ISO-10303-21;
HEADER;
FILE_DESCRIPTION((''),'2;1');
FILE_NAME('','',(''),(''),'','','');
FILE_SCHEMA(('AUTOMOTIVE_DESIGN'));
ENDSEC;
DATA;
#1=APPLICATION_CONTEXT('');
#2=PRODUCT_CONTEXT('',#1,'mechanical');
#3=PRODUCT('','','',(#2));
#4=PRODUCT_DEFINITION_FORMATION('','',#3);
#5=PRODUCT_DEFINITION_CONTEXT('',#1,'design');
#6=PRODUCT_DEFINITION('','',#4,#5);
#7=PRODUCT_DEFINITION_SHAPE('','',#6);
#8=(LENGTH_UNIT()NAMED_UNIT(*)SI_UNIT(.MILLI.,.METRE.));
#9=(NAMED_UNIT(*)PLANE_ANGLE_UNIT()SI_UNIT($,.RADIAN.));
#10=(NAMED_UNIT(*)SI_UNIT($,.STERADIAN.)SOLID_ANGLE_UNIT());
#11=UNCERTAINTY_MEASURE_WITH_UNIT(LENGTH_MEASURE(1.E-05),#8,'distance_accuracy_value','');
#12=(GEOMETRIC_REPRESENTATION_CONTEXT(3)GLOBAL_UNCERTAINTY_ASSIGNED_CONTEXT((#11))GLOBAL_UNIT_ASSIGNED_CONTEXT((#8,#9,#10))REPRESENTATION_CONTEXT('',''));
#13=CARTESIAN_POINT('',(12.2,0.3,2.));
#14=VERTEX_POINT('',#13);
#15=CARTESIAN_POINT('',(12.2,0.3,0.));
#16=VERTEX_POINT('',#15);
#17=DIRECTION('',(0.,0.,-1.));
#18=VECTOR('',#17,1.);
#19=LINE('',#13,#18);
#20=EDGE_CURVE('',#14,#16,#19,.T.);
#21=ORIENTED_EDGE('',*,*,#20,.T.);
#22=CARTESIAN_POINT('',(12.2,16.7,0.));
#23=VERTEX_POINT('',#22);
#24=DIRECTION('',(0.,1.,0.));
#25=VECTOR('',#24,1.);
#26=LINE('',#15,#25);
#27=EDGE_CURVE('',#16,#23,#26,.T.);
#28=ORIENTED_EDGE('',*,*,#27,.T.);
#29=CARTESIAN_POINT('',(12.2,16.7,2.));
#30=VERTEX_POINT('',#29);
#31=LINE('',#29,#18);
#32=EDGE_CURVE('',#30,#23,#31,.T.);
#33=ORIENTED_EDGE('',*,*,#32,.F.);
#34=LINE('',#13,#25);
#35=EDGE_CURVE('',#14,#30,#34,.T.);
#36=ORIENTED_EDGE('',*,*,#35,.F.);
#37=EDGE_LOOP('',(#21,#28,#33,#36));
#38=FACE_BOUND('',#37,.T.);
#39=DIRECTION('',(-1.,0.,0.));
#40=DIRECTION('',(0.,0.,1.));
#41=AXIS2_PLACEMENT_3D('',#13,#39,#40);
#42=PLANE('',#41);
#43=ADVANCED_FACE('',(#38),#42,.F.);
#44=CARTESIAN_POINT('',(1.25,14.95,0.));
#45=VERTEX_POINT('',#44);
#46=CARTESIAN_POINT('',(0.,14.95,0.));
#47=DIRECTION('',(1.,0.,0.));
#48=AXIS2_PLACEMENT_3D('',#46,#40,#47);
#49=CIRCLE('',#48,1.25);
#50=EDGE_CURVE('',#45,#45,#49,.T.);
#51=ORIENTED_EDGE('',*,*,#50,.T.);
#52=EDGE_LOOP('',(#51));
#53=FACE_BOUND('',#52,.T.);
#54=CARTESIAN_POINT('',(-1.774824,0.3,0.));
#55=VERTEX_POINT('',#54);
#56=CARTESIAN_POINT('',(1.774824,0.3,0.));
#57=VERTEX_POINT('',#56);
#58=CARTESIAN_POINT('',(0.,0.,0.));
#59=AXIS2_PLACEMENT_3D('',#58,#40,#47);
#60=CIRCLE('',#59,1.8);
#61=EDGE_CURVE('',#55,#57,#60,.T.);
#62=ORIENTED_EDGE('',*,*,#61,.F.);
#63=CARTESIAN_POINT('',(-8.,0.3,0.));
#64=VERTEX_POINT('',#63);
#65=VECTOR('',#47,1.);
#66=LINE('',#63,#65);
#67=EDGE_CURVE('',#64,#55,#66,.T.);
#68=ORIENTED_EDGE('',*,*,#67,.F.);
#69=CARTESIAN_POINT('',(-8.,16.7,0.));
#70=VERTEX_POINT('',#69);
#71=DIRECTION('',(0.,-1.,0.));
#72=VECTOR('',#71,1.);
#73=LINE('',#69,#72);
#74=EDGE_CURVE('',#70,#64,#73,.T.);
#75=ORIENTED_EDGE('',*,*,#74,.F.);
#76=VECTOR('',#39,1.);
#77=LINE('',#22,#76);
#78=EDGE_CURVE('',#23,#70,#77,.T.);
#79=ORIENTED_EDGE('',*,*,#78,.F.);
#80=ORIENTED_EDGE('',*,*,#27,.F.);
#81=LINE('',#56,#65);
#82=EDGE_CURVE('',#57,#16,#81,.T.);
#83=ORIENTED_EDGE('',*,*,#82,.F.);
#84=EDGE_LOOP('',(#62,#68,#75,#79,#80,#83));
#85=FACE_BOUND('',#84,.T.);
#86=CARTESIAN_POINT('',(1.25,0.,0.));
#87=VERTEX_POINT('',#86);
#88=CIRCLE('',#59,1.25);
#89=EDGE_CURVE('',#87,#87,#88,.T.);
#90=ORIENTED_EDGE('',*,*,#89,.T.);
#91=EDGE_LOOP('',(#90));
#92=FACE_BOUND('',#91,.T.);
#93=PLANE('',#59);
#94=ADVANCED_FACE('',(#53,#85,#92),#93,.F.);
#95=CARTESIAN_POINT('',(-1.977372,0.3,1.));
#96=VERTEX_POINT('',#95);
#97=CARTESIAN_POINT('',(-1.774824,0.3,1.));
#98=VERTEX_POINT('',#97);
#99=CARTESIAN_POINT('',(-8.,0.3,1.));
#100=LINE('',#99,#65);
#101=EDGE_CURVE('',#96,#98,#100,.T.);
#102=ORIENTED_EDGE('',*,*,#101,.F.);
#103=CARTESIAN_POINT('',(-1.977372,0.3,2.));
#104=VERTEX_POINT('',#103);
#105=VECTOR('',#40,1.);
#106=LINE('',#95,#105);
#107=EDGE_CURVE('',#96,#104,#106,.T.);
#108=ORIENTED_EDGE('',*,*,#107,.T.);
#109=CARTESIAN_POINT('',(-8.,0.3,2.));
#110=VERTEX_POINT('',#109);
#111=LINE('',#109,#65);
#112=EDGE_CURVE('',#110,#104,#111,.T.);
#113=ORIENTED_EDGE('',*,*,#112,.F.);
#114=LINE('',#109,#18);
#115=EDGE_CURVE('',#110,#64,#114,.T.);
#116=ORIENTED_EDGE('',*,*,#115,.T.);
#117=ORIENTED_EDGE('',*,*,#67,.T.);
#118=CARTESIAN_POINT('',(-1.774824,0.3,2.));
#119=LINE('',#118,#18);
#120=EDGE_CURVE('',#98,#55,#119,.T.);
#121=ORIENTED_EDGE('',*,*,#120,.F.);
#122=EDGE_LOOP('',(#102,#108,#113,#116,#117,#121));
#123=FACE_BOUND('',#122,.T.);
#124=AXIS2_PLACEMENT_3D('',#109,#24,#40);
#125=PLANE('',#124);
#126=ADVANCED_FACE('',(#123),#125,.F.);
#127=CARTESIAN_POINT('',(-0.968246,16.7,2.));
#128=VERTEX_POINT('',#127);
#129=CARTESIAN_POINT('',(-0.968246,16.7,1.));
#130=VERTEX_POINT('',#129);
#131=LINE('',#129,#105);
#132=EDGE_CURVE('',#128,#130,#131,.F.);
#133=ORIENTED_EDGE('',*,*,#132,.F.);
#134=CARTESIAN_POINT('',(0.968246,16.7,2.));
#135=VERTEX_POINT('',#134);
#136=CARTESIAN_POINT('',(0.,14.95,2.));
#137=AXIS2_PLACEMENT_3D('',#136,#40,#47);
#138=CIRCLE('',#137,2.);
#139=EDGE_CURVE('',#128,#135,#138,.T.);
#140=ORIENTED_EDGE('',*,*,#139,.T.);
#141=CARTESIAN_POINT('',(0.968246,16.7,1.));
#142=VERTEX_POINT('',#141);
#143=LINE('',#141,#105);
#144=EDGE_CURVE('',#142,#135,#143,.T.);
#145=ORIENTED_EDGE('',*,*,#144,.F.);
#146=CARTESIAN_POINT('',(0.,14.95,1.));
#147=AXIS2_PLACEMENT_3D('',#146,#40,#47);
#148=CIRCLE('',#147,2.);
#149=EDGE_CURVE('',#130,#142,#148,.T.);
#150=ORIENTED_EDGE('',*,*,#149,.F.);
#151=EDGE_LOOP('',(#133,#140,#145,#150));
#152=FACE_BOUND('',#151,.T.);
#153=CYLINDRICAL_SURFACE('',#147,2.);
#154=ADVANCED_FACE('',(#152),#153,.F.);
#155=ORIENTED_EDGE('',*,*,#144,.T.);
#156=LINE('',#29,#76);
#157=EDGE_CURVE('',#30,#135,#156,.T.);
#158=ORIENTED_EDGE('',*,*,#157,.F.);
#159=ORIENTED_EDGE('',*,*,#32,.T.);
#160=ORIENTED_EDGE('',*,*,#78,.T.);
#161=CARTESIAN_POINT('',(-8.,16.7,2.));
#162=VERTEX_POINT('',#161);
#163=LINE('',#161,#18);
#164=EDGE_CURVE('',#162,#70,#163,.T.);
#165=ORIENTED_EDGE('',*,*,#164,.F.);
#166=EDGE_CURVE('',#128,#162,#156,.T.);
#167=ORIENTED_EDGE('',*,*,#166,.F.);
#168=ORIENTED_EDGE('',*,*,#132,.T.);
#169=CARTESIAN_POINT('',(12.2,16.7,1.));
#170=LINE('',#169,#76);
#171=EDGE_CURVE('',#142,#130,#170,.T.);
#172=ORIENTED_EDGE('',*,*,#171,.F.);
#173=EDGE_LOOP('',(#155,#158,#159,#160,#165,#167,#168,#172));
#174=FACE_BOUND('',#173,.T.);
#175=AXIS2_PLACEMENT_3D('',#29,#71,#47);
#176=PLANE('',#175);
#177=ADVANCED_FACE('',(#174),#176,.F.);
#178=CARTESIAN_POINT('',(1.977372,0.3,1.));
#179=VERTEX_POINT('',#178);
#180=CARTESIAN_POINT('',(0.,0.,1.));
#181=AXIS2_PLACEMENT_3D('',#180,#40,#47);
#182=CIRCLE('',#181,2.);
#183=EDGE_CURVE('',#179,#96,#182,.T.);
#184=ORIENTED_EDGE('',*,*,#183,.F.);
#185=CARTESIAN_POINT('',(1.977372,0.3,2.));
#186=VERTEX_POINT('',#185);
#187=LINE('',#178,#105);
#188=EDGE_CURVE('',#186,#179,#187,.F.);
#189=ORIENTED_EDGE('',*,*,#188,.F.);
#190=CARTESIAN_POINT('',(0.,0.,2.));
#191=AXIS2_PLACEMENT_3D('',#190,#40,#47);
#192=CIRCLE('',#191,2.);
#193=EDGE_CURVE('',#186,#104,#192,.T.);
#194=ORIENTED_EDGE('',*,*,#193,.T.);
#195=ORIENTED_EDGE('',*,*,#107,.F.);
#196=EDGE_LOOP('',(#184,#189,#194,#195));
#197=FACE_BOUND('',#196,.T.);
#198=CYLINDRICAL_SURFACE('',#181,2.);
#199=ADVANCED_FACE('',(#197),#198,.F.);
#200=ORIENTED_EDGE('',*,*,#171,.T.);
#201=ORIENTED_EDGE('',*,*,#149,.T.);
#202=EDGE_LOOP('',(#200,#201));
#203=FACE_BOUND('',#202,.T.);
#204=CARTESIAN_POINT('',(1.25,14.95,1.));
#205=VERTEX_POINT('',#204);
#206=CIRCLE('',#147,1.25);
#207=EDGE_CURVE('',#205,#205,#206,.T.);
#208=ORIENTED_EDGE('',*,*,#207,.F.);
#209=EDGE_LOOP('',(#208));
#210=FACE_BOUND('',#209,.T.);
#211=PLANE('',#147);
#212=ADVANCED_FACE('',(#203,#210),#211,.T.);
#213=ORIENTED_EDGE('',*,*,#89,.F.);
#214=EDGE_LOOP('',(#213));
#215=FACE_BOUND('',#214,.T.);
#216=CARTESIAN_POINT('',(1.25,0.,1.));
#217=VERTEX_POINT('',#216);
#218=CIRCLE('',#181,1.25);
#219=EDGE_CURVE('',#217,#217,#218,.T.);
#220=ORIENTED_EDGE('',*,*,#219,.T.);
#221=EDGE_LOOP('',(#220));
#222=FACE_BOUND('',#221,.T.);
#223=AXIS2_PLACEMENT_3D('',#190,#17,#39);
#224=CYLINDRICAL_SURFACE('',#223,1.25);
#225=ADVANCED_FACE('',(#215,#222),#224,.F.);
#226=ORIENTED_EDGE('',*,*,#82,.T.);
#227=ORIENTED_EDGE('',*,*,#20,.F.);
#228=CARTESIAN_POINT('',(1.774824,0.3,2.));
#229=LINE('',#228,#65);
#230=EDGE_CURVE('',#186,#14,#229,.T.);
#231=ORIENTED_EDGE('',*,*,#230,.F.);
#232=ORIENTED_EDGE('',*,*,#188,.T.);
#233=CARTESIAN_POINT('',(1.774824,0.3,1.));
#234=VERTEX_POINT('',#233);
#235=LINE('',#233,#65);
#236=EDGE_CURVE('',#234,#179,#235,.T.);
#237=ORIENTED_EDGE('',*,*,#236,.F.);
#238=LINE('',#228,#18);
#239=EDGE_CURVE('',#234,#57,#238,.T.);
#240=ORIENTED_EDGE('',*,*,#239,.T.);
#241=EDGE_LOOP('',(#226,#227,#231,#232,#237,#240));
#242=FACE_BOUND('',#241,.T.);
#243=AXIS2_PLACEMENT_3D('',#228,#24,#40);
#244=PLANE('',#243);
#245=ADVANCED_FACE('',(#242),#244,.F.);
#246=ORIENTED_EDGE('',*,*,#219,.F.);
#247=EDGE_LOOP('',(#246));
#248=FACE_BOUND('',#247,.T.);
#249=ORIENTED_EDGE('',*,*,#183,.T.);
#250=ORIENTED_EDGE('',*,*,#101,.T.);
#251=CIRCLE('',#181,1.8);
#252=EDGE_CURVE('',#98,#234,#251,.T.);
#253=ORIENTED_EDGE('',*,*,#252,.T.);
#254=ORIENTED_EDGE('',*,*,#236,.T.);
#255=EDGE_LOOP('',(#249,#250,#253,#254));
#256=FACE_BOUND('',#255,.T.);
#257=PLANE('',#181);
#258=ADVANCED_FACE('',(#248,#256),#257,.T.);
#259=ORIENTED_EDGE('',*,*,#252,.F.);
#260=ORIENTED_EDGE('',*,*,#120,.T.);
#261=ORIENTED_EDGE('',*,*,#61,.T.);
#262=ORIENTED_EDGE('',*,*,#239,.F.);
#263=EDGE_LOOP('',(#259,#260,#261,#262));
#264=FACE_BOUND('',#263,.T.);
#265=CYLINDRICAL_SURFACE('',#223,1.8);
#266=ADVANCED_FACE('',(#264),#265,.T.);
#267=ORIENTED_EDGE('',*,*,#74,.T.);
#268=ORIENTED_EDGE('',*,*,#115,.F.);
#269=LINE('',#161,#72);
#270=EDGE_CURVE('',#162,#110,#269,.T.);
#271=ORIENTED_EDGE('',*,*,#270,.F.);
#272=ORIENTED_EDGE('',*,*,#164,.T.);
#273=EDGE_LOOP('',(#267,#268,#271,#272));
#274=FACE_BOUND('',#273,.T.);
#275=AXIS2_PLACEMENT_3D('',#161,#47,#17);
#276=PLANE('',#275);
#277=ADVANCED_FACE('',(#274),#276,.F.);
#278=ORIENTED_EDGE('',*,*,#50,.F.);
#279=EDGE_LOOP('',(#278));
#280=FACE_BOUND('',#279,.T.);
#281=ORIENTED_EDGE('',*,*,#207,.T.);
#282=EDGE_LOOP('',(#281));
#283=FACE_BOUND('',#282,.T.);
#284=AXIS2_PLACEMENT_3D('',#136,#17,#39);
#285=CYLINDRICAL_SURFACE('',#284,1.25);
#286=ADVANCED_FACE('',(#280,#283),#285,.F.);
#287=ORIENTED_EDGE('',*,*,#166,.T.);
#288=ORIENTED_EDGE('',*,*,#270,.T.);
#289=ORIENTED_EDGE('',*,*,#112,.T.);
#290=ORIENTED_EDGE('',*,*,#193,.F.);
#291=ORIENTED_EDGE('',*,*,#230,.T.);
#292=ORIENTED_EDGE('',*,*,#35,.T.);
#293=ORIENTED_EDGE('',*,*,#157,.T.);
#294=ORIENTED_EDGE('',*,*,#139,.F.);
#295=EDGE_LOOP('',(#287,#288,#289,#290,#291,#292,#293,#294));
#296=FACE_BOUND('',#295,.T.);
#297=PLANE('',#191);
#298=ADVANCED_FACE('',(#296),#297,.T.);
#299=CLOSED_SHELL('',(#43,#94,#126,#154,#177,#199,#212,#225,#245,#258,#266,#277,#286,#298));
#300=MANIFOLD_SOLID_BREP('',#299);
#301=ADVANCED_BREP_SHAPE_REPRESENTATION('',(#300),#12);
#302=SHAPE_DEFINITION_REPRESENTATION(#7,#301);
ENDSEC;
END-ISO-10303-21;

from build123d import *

# Parameters (mm, degrees)
ESBO_O1_R                = 1.25
RESSALTO_EXTRUS_O1_DEPTH = 2
ESBO_O2_R                = 2
CORTE_EXTRUS_O1_DEPTH    = 1


with BuildPart() as part:
    # Esboço1 → Ressalto-extrusão1 (new body)
    with BuildSketch(Plane.XY):
        with BuildLine():
            Line((12.2, 16.7), (-8, 16.7))
            Line((-8, 16.7), (-8, 0.3))
            Line((-8, 0.3), (-1.774823935, 0.3))
            ThreePointArc((-1.774823935, 0.3), (0, -1.8), (1.774823935, 0.3))
            Line((1.774823935, 0.3), (12.2, 0.3))
            Line((12.2, 0.3), (12.2, 16.7))
        make_face()
        Circle(ESBO_O1_R, mode=Mode.SUBTRACT)
        with Locations((0, 14.95)):
            Circle(ESBO_O1_R, mode=Mode.SUBTRACT)
    extrude(amount=RESSALTO_EXTRUS_O1_DEPTH)

    # Esboço2 → Corte-extrusão1 (cut)
    with BuildSketch(Plane.XY.offset(2)):
        with Locations((0, 14.95)):
            Circle(ESBO_O2_R)
        Circle(ESBO_O2_R)
    extrude(amount=-CORTE_EXTRUS_O1_DEPTH, mode=Mode.SUBTRACT)


solid = part.part
